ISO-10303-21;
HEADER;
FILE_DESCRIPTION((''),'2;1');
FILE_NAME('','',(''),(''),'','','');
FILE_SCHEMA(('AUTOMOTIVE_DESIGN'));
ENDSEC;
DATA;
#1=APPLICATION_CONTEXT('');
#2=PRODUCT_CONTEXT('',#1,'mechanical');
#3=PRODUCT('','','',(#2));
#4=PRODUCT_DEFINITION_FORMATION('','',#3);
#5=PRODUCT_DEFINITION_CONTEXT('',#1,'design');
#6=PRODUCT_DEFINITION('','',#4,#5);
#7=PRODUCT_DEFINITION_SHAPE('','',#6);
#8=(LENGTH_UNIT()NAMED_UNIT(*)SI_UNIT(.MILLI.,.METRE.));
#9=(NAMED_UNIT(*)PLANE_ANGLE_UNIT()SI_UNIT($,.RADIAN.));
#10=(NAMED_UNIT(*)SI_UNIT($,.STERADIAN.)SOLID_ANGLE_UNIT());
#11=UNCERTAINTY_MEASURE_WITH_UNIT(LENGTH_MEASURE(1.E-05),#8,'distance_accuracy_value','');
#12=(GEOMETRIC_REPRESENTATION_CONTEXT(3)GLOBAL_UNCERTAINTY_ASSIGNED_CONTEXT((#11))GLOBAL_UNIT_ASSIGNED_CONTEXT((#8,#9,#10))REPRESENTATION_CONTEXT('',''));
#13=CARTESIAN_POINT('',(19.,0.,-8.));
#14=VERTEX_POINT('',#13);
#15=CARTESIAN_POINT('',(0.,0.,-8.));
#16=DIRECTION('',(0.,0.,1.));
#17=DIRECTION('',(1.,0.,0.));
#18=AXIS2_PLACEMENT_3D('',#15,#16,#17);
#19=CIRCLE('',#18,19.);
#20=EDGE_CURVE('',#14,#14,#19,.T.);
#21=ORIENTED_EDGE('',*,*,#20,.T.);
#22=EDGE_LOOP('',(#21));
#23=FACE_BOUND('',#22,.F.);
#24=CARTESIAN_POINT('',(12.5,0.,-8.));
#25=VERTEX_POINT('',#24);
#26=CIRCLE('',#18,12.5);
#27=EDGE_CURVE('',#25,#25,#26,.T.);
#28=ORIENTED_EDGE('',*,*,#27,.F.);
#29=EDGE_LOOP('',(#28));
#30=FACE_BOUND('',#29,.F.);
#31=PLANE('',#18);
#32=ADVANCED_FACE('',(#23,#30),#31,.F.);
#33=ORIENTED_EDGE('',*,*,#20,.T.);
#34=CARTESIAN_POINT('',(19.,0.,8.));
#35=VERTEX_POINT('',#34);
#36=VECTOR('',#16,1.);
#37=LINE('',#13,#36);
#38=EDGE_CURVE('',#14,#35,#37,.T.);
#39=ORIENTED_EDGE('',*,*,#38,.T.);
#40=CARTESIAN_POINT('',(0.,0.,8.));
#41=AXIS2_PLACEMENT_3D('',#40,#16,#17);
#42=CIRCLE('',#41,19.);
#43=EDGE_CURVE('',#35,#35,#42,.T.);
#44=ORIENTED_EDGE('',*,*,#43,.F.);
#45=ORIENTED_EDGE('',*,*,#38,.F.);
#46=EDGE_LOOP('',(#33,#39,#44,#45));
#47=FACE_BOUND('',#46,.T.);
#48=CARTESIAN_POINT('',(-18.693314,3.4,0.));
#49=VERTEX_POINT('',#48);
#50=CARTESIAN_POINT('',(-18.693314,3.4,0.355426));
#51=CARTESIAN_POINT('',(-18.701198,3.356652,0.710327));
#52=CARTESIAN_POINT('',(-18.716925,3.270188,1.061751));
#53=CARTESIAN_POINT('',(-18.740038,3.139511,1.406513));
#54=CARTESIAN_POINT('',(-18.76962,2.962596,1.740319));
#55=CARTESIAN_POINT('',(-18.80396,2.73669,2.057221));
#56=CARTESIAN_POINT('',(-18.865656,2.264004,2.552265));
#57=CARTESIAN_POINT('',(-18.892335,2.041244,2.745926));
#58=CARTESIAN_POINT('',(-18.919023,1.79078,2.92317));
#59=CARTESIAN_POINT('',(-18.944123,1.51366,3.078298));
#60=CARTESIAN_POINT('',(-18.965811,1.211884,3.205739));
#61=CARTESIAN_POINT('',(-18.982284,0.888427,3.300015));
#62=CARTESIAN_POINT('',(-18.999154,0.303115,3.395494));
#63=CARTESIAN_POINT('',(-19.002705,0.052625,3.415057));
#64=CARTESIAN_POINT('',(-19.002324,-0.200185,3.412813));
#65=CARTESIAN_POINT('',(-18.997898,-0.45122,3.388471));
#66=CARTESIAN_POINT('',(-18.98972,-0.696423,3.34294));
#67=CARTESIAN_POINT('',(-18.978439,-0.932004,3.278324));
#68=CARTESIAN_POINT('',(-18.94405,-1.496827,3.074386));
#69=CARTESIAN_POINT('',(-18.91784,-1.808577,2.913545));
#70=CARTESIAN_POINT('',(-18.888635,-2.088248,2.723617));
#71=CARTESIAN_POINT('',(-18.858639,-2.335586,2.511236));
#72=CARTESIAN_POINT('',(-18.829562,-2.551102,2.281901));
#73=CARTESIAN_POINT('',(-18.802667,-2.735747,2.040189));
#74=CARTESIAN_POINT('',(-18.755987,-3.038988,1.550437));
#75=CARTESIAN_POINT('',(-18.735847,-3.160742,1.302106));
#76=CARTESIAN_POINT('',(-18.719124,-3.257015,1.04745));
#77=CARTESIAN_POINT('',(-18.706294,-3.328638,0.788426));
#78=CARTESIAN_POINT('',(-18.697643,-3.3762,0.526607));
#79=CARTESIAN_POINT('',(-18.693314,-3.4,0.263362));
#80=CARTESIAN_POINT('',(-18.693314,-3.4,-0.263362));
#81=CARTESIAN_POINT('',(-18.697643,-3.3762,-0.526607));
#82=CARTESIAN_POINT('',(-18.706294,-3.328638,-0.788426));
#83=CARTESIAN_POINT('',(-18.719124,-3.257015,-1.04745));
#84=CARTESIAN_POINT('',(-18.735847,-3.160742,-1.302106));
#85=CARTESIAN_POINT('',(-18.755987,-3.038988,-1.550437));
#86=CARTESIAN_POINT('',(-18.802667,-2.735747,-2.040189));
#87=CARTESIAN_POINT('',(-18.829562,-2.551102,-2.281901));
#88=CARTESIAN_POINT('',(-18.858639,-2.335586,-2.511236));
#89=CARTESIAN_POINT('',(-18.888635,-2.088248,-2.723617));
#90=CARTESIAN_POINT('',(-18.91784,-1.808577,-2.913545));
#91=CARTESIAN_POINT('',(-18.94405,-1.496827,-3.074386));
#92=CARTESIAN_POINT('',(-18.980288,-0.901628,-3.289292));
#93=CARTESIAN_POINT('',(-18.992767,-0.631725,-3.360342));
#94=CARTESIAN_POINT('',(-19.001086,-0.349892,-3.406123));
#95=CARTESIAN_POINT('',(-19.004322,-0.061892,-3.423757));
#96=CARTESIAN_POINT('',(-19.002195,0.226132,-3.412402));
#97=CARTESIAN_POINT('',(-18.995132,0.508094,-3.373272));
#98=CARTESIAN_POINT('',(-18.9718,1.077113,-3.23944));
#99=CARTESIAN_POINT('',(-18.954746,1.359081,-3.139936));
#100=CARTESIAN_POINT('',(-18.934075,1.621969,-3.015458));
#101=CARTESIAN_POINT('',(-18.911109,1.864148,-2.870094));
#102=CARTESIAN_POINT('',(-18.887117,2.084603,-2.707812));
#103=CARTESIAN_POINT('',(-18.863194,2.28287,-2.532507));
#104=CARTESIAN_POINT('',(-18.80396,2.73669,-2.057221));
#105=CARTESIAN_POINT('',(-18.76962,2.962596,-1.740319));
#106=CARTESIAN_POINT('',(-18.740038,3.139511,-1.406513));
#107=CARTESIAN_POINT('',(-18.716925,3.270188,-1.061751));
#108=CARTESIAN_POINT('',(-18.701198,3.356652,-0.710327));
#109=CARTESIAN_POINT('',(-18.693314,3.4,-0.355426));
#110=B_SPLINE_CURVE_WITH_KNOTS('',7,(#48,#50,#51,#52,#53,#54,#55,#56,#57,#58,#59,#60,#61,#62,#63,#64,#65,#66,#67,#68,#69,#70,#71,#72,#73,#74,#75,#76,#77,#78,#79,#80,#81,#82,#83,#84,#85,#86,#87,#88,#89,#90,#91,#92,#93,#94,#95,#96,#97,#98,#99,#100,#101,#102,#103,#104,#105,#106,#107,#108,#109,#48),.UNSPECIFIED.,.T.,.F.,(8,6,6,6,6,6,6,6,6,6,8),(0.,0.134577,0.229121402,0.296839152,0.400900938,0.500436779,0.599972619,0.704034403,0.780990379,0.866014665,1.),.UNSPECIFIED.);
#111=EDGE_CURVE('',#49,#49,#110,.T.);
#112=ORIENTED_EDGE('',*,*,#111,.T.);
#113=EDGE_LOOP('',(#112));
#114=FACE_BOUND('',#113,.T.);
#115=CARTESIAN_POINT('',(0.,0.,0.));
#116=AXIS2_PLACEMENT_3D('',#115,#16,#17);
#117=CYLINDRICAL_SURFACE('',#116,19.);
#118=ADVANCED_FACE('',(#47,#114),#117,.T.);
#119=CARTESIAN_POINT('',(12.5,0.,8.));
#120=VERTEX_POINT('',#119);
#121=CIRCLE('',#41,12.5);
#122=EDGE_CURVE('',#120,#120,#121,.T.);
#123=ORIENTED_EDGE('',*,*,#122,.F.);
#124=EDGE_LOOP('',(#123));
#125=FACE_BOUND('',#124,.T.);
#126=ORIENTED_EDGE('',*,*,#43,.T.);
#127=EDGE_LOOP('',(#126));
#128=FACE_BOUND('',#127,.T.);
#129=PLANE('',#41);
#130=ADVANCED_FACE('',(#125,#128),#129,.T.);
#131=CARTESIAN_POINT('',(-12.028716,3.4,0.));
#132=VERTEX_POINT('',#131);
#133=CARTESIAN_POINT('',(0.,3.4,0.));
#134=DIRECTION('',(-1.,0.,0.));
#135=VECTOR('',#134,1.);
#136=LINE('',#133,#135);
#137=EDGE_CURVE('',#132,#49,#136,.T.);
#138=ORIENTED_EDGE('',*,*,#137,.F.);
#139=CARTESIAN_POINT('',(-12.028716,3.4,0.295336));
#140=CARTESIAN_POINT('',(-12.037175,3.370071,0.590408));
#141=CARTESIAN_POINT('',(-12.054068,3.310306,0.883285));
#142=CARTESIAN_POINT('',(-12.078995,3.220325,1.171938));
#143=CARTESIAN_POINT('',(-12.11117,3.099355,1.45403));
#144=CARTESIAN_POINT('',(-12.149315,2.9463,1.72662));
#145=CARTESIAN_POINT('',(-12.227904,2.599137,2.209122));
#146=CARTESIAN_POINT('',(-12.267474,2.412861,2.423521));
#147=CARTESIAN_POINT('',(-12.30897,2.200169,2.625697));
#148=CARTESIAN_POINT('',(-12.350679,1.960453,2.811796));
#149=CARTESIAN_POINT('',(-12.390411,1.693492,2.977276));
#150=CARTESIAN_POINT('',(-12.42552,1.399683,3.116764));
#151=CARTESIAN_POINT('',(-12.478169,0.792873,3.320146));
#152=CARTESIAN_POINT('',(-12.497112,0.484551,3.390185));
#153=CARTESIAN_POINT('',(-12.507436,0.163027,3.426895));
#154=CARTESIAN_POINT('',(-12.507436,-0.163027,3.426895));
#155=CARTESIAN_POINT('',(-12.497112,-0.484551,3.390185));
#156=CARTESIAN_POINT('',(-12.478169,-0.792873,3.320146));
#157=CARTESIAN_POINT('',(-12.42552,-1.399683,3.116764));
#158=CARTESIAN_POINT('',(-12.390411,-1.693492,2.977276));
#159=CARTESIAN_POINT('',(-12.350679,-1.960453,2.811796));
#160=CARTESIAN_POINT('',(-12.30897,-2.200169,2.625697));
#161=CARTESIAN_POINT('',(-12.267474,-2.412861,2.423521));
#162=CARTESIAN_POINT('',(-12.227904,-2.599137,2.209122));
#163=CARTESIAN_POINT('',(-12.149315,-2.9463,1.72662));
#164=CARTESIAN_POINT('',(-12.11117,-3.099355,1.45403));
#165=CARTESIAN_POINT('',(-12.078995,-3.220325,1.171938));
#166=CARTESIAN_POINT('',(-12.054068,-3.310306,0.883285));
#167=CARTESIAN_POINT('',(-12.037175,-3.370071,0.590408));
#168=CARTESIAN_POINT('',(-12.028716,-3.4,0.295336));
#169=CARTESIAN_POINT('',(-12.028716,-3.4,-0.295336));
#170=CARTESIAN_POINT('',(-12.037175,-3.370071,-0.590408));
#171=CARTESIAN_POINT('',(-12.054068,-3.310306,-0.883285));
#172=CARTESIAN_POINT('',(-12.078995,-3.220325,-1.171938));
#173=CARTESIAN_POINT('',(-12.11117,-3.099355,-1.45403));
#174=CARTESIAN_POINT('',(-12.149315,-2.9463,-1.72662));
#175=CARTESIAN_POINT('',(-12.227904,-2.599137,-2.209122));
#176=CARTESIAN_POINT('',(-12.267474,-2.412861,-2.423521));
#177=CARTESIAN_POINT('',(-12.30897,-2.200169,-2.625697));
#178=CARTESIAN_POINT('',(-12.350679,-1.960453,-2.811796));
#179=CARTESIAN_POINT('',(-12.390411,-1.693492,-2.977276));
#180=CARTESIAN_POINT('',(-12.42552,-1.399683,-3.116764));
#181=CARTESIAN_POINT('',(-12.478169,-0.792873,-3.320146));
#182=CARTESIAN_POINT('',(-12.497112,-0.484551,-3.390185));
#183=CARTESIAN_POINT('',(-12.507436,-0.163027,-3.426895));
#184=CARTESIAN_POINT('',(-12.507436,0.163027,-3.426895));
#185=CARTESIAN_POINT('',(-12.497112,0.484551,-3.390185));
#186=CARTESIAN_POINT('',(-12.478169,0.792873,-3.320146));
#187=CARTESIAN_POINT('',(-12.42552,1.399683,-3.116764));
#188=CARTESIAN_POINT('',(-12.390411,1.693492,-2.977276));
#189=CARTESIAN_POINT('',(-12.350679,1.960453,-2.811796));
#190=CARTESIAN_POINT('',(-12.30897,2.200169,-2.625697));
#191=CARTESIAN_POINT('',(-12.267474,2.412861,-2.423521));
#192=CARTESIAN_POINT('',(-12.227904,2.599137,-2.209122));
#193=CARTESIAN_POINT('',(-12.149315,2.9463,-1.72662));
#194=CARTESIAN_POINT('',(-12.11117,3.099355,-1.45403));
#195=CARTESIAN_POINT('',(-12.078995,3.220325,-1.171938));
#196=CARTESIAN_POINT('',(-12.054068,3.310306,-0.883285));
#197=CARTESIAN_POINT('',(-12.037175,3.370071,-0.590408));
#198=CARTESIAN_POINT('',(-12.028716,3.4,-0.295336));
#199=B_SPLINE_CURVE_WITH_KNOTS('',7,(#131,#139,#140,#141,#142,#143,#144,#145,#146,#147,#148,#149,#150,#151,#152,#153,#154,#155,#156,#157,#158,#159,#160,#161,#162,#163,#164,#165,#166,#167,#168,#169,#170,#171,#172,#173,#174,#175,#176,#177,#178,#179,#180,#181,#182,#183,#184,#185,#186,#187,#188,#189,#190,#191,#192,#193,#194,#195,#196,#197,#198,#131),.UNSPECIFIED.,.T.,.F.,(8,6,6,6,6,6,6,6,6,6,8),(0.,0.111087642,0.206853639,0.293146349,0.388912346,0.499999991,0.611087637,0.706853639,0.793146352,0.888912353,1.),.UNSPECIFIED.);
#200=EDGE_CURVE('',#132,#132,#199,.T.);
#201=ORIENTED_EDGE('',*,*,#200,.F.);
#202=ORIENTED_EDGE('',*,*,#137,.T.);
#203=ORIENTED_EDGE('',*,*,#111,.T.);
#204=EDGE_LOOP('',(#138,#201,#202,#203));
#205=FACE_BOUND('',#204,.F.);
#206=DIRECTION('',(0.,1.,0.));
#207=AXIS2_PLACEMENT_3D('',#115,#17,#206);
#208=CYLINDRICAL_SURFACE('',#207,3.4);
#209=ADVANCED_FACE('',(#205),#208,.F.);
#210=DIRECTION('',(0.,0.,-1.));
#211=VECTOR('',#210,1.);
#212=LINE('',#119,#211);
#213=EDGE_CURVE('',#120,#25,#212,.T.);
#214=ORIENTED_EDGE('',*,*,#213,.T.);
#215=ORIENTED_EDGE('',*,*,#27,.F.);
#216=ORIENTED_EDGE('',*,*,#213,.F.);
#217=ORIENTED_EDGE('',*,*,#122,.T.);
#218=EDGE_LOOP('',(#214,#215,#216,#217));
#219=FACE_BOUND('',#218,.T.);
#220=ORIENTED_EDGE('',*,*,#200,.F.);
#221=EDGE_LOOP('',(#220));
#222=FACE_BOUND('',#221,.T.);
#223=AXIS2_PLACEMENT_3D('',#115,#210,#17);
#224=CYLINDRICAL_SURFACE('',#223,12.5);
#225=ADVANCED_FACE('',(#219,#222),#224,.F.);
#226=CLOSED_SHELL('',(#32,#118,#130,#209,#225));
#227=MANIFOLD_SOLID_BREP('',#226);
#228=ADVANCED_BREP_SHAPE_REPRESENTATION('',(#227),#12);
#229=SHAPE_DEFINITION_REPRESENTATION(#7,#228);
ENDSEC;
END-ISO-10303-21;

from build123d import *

# Parameters (mm, degrees)
SKETCH_R    = 19
SKETCH_R_2  = 12.5
PAD_DEPTH   = 8
SKETCH001_R = 3.4
HOLE_DEPTH  = 25


with BuildPart() as part:
    # Sketch → Pad (new body, symmetric)
    with BuildSketch(Plane.XY):
        Circle(SKETCH_R)
        Circle(SKETCH_R_2, mode=Mode.SUBTRACT)
    extrude(amount=PAD_DEPTH, both=True)

    # Sketch001 → Hole (cut)
    with BuildSketch(Plane.YZ):
        Circle(SKETCH001_R)
    extrude(amount=-HOLE_DEPTH, mode=Mode.SUBTRACT)


solid = part.part
